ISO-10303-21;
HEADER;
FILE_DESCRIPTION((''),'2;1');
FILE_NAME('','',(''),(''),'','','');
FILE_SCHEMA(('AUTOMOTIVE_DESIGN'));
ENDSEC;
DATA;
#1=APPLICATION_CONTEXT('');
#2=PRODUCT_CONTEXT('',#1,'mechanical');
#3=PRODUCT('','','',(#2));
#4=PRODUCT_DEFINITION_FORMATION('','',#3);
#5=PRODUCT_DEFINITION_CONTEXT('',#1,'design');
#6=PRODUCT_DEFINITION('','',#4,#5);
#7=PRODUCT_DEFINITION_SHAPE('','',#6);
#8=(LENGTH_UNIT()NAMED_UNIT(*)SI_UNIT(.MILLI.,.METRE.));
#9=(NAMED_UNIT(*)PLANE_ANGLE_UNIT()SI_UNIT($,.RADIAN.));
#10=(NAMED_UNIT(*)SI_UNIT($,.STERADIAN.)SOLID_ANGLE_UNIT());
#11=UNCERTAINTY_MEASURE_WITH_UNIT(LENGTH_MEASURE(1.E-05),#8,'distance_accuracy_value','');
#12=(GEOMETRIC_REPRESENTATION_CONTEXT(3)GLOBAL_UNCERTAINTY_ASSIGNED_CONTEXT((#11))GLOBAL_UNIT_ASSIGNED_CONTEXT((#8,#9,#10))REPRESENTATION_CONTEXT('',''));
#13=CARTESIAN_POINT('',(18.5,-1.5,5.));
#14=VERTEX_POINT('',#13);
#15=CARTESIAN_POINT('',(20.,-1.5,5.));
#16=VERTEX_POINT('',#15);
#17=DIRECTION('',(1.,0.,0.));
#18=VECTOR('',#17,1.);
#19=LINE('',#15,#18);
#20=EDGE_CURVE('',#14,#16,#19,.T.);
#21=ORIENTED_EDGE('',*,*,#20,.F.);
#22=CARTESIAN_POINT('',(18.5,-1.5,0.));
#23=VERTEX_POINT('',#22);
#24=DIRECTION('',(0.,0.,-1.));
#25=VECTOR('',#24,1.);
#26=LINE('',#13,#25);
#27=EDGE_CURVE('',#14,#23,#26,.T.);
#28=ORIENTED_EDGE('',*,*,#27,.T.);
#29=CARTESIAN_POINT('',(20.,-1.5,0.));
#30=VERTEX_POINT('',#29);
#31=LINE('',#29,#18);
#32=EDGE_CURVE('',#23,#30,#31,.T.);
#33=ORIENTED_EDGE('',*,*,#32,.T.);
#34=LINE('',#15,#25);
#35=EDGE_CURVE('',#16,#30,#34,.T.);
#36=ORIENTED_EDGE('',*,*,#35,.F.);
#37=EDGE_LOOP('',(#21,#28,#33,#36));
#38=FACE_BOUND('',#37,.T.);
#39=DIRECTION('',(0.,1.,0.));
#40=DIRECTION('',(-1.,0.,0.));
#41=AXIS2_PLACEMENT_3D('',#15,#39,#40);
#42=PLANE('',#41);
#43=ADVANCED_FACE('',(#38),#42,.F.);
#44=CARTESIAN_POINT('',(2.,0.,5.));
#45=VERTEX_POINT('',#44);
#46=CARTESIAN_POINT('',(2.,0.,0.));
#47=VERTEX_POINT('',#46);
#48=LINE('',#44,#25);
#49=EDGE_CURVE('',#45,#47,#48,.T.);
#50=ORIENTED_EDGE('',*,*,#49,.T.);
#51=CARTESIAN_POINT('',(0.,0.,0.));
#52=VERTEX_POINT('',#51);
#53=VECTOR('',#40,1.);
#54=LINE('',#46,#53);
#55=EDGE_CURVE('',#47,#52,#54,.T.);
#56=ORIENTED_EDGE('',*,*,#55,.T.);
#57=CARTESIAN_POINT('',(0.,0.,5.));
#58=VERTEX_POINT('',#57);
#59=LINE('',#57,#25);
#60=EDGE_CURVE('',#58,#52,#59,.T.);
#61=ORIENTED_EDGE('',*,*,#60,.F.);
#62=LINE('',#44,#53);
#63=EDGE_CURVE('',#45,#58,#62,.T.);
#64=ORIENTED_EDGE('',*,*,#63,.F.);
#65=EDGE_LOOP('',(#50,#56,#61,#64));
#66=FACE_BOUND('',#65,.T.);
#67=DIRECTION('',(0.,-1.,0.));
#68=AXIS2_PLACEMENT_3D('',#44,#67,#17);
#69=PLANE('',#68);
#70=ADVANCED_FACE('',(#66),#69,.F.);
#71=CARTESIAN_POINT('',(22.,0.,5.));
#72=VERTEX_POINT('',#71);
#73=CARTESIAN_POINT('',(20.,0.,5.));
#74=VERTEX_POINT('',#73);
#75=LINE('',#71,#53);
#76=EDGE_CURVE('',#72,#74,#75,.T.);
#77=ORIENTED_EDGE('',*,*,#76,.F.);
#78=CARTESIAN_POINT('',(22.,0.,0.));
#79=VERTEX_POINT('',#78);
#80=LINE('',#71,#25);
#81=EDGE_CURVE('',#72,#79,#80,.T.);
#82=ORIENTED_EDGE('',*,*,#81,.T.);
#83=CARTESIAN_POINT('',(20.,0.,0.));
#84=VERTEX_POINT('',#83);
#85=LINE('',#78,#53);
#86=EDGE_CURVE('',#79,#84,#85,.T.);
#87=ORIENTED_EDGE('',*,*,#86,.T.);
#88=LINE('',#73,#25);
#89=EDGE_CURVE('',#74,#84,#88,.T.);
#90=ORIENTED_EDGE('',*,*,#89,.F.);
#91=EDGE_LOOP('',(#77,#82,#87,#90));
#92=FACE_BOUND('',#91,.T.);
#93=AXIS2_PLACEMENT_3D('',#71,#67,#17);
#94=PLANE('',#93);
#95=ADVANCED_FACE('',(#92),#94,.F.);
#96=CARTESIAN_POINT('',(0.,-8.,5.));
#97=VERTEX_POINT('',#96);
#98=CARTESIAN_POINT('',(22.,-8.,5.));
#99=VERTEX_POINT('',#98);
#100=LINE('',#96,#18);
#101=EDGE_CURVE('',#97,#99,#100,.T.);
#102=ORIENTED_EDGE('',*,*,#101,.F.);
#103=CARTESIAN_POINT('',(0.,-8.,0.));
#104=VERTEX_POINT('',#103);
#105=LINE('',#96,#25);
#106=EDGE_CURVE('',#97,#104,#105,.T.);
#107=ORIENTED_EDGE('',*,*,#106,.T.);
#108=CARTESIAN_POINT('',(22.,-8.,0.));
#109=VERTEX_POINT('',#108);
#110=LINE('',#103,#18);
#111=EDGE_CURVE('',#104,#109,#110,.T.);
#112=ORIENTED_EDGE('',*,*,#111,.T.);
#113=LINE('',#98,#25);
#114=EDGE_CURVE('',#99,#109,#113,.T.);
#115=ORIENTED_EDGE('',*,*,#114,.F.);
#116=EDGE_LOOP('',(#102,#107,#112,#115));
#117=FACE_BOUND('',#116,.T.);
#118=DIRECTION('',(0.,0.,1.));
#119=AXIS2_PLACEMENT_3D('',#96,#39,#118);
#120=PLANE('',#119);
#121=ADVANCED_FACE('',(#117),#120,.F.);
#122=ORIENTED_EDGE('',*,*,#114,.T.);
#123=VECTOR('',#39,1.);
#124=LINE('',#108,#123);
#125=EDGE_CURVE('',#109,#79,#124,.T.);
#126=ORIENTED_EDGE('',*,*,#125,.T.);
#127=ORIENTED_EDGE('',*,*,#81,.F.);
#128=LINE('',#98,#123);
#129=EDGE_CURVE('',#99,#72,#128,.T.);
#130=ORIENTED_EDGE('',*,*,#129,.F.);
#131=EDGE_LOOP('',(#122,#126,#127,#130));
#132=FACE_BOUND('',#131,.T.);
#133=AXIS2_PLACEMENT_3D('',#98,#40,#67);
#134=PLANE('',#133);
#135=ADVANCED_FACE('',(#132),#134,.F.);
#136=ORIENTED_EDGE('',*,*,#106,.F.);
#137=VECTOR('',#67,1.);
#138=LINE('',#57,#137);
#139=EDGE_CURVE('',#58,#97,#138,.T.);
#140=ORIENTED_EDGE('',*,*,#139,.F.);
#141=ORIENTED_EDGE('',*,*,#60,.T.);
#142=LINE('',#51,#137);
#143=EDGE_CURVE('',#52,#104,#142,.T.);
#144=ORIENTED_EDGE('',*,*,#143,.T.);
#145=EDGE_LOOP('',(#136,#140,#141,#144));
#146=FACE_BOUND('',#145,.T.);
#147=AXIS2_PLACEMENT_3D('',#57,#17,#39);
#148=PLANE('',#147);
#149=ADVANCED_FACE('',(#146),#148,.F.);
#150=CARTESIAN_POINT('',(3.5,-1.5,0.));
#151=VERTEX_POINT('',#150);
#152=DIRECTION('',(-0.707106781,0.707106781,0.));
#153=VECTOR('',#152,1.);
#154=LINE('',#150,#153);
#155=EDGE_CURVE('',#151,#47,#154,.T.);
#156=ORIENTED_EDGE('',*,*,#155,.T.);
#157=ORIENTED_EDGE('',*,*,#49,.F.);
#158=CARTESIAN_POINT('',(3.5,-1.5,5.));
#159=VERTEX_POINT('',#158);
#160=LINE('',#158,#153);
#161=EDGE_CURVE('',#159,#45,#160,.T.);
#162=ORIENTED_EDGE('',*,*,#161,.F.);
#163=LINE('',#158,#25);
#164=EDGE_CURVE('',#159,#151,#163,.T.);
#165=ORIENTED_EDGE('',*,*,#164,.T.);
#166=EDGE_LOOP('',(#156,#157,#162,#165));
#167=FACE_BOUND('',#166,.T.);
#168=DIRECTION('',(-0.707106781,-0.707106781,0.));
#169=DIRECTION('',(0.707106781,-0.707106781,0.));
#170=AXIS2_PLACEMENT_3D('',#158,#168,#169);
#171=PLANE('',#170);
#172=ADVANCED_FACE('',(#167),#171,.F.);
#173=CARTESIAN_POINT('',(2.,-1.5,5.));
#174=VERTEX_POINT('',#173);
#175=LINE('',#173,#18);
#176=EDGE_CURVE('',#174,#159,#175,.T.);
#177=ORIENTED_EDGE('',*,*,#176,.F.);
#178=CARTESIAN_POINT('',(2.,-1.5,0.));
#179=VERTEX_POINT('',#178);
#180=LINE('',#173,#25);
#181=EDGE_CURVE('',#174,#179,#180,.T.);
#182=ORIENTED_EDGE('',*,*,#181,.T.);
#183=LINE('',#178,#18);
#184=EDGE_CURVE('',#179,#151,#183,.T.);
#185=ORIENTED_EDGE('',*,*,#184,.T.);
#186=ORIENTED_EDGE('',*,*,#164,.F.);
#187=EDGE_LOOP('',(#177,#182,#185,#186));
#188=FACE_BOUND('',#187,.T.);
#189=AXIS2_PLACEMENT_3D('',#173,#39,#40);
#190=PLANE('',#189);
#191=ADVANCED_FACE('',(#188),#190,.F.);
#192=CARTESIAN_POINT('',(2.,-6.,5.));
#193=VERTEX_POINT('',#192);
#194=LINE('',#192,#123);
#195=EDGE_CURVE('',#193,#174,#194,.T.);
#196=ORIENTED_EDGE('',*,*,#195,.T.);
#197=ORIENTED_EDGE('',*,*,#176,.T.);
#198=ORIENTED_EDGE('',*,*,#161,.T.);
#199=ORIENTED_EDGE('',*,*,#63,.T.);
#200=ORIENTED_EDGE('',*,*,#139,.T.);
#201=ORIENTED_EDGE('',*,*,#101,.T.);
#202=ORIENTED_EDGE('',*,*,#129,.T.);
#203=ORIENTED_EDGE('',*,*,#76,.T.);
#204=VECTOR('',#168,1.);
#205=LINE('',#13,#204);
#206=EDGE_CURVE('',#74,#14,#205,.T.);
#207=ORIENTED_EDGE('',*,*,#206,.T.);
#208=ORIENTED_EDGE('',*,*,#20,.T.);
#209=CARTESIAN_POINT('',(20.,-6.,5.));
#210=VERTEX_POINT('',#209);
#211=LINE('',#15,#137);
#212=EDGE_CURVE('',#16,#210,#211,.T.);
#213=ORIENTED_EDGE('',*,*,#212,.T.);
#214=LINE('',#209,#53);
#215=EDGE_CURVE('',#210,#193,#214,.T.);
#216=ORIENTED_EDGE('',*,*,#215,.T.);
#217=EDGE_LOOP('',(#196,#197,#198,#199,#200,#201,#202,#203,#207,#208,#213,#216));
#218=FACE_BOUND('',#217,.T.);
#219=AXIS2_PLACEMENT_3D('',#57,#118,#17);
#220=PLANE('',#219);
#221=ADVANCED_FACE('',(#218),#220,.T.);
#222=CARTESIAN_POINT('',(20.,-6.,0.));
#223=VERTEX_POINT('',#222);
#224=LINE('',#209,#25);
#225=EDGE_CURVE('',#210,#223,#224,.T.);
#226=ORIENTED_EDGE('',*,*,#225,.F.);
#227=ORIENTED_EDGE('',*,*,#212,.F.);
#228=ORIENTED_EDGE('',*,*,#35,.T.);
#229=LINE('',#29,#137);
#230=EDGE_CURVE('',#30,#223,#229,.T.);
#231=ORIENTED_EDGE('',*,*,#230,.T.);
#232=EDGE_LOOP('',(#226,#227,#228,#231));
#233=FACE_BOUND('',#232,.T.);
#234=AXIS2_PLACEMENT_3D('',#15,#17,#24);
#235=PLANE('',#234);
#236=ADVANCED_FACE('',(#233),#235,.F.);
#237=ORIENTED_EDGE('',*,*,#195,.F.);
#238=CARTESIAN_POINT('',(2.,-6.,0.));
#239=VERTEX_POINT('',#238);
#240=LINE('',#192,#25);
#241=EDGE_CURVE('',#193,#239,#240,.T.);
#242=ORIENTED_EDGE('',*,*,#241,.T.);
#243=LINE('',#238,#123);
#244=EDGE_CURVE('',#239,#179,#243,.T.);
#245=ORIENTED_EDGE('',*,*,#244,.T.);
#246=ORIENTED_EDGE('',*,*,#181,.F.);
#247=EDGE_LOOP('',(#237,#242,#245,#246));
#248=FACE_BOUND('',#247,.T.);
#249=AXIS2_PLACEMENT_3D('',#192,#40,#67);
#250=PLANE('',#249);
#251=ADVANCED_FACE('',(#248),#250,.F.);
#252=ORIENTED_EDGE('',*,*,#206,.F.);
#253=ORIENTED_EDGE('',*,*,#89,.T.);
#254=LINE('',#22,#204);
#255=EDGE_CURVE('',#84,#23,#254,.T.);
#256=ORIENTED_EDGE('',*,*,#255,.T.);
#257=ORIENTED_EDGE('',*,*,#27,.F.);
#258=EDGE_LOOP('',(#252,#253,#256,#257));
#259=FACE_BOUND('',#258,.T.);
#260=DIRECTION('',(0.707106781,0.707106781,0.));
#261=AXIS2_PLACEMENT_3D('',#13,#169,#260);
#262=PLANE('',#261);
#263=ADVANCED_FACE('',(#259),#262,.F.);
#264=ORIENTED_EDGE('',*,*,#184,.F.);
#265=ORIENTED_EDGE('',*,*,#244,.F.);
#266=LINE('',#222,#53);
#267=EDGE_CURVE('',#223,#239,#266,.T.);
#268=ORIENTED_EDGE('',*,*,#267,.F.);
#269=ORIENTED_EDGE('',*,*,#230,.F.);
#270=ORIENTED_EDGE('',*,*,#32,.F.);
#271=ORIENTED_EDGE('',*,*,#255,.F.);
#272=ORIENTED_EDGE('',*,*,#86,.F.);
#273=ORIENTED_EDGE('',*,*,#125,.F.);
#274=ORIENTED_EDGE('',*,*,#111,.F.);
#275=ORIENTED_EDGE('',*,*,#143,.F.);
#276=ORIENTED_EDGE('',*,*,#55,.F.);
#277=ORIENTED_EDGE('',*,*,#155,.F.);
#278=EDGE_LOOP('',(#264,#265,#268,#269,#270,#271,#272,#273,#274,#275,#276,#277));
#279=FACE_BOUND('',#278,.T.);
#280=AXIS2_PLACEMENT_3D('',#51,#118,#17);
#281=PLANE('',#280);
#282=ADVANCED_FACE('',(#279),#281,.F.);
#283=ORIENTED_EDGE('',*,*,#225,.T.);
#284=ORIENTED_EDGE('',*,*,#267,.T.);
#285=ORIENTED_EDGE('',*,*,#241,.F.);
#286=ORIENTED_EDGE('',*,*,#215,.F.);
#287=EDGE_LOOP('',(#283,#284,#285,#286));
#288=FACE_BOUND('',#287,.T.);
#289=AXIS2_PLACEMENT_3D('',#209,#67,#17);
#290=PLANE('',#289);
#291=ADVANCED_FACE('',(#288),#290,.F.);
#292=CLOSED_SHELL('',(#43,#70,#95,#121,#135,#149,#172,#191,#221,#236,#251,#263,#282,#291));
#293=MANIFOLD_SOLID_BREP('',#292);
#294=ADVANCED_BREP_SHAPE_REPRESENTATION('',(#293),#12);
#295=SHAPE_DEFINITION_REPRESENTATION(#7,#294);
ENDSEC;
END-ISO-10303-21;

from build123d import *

# Parameters (mm, degrees)
BOSS_EXTRUDE1_DEPTH = 5


with BuildPart() as part:
    # Sketch1 → Boss-Extrude1 (new body)
    with BuildSketch(Plane.XY):
        Polygon((0, 0), (0, -8), (22, -8), (22, 0), (20, 0), (18.5, -1.5), (20, -1.5), (20, -6), (2, -6), (2, -1.5), (3.5, -1.5), (2, 0), align=None)
    extrude(amount=BOSS_EXTRUDE1_DEPTH)


solid = part.part
